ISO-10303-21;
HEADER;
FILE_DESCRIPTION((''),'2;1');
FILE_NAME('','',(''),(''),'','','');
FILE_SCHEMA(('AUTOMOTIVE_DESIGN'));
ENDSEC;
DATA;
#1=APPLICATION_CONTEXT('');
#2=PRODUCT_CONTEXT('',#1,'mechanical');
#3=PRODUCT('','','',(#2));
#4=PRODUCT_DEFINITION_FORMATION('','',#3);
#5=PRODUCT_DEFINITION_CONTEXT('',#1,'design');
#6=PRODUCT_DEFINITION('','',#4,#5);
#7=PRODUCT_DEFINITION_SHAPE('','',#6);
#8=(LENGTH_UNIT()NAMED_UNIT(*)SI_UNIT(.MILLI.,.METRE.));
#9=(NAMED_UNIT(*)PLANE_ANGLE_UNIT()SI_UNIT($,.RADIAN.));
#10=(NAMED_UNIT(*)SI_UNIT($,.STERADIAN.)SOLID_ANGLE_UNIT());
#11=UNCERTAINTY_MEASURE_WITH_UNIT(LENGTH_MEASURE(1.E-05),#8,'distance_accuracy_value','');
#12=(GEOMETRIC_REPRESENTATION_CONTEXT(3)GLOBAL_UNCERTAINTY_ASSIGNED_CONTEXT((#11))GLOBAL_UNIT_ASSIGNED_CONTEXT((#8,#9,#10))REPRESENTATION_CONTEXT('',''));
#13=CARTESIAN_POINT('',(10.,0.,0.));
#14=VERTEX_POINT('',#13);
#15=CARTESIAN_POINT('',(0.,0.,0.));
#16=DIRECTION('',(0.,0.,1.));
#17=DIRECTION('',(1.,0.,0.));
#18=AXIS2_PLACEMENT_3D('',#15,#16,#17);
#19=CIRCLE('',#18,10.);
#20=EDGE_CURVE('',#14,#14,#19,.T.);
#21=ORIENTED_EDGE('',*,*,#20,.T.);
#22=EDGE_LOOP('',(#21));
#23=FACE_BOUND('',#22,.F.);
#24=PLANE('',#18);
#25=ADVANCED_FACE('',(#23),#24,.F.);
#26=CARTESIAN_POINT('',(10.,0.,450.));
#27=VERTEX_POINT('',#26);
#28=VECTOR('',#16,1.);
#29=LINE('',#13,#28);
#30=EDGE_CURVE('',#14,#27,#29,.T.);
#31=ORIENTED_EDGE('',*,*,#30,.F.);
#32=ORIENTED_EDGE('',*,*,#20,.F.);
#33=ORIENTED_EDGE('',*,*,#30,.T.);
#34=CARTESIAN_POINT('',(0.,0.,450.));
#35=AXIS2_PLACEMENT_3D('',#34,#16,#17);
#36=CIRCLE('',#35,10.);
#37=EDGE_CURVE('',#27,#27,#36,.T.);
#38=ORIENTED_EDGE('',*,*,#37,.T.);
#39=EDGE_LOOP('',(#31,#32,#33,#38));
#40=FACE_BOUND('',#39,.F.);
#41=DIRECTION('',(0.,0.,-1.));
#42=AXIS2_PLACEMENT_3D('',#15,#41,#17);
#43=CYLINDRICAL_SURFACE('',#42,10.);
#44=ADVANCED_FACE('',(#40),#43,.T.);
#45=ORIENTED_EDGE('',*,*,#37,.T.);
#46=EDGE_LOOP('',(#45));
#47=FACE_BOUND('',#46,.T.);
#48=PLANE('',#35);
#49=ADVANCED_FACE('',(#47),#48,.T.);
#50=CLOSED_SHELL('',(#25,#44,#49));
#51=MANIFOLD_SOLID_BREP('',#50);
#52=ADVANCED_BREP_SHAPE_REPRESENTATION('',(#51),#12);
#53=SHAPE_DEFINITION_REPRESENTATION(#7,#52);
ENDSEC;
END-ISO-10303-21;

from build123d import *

# Parameters (mm, degrees)
CROQUIS1_R              = 10
SALIENTE_EXTRUIR1_DEPTH = 450


with BuildPart() as part:
    # Croquis1 → Saliente-Extruir1 (new body)
    with BuildSketch(Plane.XY):
        Circle(CROQUIS1_R)
    extrude(amount=SALIENTE_EXTRUIR1_DEPTH)


solid = part.part
